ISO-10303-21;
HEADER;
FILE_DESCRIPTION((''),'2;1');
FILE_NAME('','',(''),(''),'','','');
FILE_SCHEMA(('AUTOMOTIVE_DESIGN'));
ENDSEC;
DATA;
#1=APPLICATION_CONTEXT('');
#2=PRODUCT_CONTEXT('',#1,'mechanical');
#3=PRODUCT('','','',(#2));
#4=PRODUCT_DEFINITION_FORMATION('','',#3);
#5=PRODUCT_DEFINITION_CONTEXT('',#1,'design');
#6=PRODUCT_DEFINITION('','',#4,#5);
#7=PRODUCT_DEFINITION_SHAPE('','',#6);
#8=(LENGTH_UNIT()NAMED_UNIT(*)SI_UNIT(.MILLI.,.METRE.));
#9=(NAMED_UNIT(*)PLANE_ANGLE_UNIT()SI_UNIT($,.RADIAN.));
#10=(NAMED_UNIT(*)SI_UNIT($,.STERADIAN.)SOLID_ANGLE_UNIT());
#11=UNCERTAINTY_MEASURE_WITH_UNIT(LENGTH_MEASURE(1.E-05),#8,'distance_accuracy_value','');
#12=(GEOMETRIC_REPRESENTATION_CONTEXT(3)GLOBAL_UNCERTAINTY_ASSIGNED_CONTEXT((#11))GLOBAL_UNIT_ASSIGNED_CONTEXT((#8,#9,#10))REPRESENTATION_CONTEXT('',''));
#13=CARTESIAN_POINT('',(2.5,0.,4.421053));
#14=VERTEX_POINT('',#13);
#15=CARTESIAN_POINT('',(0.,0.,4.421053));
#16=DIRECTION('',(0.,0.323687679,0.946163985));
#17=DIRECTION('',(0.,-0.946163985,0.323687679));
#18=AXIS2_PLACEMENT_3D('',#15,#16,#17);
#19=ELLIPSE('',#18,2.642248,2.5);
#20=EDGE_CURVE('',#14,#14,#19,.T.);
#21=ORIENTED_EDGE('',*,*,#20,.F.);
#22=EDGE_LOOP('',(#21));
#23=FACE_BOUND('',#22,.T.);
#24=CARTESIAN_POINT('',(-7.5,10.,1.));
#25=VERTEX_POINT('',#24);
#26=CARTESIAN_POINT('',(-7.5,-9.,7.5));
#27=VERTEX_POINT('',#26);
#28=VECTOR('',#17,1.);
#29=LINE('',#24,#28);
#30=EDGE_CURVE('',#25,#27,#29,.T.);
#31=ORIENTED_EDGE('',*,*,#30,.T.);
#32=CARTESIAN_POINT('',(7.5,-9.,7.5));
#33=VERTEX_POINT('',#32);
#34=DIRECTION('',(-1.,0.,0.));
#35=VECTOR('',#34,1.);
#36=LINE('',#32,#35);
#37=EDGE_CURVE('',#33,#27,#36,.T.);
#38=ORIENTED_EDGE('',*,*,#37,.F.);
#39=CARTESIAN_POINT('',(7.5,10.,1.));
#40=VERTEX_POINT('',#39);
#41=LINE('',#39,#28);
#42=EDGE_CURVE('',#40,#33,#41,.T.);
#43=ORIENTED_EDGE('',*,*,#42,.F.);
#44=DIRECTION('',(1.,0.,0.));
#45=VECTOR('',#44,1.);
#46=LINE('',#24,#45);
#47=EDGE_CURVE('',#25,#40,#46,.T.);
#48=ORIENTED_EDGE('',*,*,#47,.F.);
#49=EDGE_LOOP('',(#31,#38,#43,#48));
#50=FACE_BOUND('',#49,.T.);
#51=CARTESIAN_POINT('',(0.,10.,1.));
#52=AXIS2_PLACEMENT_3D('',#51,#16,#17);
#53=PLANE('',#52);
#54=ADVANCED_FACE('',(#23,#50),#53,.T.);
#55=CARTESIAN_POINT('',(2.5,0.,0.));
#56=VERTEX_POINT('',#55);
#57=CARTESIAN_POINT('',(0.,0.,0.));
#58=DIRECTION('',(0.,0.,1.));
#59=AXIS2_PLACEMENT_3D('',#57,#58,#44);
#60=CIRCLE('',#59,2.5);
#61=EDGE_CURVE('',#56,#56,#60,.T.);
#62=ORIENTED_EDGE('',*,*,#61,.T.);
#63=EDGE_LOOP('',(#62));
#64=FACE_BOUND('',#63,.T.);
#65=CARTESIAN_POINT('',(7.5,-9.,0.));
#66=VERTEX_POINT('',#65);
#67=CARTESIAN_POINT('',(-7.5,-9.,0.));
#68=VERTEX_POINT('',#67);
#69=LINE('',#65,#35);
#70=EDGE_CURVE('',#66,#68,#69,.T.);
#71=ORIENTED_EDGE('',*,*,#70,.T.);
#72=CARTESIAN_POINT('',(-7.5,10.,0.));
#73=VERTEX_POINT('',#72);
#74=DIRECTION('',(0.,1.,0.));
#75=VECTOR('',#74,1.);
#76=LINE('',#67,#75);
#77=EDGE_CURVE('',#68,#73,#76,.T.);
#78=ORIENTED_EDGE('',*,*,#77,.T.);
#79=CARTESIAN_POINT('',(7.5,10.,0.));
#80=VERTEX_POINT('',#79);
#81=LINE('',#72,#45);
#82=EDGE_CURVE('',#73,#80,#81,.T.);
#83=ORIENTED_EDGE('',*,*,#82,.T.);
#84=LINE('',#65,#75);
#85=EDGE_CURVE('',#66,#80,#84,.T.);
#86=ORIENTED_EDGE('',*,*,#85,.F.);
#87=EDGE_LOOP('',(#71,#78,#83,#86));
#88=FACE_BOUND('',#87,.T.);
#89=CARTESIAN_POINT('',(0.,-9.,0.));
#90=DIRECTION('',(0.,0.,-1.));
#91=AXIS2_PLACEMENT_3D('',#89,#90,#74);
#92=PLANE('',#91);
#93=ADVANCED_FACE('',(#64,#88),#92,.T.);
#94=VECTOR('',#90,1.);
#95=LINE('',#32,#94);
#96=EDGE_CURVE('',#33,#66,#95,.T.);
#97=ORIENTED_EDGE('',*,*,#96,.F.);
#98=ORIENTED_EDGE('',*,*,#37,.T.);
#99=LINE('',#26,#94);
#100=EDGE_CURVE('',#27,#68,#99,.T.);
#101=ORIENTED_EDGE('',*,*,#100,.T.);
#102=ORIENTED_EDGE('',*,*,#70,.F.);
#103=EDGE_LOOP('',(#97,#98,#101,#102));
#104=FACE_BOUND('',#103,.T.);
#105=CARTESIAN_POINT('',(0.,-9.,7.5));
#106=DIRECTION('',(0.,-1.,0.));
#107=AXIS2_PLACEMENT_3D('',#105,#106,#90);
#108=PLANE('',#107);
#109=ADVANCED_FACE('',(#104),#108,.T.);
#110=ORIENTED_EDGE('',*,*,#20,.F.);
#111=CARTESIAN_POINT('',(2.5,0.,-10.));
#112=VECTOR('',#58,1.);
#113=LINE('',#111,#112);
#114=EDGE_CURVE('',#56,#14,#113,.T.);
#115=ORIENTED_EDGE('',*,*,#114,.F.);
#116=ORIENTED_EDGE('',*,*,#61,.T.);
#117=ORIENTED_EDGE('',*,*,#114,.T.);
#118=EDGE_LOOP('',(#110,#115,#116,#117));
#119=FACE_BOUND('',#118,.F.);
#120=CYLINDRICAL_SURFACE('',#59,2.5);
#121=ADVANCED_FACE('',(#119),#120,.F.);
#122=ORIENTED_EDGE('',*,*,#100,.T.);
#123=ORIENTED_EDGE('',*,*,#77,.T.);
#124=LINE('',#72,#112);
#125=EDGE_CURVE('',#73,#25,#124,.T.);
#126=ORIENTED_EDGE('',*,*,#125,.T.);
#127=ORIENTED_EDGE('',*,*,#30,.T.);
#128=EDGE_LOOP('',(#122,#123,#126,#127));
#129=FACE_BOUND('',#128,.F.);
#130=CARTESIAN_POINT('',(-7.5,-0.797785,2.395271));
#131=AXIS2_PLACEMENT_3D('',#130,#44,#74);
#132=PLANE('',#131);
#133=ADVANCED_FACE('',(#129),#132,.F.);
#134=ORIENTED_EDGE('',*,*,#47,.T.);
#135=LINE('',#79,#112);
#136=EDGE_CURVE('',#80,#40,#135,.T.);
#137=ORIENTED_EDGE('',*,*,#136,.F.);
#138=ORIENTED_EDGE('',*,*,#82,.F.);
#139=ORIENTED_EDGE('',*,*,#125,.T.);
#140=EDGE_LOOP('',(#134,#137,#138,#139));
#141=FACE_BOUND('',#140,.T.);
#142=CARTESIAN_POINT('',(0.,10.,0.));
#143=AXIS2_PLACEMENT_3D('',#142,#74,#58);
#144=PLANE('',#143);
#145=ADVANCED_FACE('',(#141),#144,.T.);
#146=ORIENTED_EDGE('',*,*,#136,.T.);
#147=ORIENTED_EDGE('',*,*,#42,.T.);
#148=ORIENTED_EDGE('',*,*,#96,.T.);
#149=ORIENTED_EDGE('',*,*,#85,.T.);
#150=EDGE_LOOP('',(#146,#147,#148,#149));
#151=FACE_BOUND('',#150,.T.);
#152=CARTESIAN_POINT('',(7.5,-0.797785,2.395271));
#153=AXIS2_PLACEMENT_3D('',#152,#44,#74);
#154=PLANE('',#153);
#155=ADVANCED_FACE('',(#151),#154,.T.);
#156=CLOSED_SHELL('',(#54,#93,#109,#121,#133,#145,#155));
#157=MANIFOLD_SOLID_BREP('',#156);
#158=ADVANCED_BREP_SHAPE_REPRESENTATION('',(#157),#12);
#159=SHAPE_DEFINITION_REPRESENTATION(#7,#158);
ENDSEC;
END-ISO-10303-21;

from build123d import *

# Parameters (mm, degrees)
F2_DEPTH = 7.5
F3_DEPTH = 10


with BuildPart() as f2:
    # F1 (on Right) → F2 (new body, symmetric)
    with BuildSketch(Plane.YZ):
        Polygon((-9, 0), (0, 0), (10, 0), (10, 1), (-9, 7.5), align=None)
    extrude(amount=F2_DEPTH, both=True)

    # F0 (on Top) → F3 (cut, symmetric)
    with BuildSketch(Plane.XY):
        with BuildLine():
            ThreePointArc((-2.5, 0), (0, -2.5), (2.5, 0))
            Line((2.5, 0), (-2.5, 0))
        make_face()
        with BuildLine():
            Line((-2.5, 0), (2.5, 0))
            ThreePointArc((2.5, 0), (0, 2.5), (-2.5, 0))
        make_face()
    extrude(amount=F3_DEPTH, both=True, mode=Mode.SUBTRACT)


solid = f2.part
